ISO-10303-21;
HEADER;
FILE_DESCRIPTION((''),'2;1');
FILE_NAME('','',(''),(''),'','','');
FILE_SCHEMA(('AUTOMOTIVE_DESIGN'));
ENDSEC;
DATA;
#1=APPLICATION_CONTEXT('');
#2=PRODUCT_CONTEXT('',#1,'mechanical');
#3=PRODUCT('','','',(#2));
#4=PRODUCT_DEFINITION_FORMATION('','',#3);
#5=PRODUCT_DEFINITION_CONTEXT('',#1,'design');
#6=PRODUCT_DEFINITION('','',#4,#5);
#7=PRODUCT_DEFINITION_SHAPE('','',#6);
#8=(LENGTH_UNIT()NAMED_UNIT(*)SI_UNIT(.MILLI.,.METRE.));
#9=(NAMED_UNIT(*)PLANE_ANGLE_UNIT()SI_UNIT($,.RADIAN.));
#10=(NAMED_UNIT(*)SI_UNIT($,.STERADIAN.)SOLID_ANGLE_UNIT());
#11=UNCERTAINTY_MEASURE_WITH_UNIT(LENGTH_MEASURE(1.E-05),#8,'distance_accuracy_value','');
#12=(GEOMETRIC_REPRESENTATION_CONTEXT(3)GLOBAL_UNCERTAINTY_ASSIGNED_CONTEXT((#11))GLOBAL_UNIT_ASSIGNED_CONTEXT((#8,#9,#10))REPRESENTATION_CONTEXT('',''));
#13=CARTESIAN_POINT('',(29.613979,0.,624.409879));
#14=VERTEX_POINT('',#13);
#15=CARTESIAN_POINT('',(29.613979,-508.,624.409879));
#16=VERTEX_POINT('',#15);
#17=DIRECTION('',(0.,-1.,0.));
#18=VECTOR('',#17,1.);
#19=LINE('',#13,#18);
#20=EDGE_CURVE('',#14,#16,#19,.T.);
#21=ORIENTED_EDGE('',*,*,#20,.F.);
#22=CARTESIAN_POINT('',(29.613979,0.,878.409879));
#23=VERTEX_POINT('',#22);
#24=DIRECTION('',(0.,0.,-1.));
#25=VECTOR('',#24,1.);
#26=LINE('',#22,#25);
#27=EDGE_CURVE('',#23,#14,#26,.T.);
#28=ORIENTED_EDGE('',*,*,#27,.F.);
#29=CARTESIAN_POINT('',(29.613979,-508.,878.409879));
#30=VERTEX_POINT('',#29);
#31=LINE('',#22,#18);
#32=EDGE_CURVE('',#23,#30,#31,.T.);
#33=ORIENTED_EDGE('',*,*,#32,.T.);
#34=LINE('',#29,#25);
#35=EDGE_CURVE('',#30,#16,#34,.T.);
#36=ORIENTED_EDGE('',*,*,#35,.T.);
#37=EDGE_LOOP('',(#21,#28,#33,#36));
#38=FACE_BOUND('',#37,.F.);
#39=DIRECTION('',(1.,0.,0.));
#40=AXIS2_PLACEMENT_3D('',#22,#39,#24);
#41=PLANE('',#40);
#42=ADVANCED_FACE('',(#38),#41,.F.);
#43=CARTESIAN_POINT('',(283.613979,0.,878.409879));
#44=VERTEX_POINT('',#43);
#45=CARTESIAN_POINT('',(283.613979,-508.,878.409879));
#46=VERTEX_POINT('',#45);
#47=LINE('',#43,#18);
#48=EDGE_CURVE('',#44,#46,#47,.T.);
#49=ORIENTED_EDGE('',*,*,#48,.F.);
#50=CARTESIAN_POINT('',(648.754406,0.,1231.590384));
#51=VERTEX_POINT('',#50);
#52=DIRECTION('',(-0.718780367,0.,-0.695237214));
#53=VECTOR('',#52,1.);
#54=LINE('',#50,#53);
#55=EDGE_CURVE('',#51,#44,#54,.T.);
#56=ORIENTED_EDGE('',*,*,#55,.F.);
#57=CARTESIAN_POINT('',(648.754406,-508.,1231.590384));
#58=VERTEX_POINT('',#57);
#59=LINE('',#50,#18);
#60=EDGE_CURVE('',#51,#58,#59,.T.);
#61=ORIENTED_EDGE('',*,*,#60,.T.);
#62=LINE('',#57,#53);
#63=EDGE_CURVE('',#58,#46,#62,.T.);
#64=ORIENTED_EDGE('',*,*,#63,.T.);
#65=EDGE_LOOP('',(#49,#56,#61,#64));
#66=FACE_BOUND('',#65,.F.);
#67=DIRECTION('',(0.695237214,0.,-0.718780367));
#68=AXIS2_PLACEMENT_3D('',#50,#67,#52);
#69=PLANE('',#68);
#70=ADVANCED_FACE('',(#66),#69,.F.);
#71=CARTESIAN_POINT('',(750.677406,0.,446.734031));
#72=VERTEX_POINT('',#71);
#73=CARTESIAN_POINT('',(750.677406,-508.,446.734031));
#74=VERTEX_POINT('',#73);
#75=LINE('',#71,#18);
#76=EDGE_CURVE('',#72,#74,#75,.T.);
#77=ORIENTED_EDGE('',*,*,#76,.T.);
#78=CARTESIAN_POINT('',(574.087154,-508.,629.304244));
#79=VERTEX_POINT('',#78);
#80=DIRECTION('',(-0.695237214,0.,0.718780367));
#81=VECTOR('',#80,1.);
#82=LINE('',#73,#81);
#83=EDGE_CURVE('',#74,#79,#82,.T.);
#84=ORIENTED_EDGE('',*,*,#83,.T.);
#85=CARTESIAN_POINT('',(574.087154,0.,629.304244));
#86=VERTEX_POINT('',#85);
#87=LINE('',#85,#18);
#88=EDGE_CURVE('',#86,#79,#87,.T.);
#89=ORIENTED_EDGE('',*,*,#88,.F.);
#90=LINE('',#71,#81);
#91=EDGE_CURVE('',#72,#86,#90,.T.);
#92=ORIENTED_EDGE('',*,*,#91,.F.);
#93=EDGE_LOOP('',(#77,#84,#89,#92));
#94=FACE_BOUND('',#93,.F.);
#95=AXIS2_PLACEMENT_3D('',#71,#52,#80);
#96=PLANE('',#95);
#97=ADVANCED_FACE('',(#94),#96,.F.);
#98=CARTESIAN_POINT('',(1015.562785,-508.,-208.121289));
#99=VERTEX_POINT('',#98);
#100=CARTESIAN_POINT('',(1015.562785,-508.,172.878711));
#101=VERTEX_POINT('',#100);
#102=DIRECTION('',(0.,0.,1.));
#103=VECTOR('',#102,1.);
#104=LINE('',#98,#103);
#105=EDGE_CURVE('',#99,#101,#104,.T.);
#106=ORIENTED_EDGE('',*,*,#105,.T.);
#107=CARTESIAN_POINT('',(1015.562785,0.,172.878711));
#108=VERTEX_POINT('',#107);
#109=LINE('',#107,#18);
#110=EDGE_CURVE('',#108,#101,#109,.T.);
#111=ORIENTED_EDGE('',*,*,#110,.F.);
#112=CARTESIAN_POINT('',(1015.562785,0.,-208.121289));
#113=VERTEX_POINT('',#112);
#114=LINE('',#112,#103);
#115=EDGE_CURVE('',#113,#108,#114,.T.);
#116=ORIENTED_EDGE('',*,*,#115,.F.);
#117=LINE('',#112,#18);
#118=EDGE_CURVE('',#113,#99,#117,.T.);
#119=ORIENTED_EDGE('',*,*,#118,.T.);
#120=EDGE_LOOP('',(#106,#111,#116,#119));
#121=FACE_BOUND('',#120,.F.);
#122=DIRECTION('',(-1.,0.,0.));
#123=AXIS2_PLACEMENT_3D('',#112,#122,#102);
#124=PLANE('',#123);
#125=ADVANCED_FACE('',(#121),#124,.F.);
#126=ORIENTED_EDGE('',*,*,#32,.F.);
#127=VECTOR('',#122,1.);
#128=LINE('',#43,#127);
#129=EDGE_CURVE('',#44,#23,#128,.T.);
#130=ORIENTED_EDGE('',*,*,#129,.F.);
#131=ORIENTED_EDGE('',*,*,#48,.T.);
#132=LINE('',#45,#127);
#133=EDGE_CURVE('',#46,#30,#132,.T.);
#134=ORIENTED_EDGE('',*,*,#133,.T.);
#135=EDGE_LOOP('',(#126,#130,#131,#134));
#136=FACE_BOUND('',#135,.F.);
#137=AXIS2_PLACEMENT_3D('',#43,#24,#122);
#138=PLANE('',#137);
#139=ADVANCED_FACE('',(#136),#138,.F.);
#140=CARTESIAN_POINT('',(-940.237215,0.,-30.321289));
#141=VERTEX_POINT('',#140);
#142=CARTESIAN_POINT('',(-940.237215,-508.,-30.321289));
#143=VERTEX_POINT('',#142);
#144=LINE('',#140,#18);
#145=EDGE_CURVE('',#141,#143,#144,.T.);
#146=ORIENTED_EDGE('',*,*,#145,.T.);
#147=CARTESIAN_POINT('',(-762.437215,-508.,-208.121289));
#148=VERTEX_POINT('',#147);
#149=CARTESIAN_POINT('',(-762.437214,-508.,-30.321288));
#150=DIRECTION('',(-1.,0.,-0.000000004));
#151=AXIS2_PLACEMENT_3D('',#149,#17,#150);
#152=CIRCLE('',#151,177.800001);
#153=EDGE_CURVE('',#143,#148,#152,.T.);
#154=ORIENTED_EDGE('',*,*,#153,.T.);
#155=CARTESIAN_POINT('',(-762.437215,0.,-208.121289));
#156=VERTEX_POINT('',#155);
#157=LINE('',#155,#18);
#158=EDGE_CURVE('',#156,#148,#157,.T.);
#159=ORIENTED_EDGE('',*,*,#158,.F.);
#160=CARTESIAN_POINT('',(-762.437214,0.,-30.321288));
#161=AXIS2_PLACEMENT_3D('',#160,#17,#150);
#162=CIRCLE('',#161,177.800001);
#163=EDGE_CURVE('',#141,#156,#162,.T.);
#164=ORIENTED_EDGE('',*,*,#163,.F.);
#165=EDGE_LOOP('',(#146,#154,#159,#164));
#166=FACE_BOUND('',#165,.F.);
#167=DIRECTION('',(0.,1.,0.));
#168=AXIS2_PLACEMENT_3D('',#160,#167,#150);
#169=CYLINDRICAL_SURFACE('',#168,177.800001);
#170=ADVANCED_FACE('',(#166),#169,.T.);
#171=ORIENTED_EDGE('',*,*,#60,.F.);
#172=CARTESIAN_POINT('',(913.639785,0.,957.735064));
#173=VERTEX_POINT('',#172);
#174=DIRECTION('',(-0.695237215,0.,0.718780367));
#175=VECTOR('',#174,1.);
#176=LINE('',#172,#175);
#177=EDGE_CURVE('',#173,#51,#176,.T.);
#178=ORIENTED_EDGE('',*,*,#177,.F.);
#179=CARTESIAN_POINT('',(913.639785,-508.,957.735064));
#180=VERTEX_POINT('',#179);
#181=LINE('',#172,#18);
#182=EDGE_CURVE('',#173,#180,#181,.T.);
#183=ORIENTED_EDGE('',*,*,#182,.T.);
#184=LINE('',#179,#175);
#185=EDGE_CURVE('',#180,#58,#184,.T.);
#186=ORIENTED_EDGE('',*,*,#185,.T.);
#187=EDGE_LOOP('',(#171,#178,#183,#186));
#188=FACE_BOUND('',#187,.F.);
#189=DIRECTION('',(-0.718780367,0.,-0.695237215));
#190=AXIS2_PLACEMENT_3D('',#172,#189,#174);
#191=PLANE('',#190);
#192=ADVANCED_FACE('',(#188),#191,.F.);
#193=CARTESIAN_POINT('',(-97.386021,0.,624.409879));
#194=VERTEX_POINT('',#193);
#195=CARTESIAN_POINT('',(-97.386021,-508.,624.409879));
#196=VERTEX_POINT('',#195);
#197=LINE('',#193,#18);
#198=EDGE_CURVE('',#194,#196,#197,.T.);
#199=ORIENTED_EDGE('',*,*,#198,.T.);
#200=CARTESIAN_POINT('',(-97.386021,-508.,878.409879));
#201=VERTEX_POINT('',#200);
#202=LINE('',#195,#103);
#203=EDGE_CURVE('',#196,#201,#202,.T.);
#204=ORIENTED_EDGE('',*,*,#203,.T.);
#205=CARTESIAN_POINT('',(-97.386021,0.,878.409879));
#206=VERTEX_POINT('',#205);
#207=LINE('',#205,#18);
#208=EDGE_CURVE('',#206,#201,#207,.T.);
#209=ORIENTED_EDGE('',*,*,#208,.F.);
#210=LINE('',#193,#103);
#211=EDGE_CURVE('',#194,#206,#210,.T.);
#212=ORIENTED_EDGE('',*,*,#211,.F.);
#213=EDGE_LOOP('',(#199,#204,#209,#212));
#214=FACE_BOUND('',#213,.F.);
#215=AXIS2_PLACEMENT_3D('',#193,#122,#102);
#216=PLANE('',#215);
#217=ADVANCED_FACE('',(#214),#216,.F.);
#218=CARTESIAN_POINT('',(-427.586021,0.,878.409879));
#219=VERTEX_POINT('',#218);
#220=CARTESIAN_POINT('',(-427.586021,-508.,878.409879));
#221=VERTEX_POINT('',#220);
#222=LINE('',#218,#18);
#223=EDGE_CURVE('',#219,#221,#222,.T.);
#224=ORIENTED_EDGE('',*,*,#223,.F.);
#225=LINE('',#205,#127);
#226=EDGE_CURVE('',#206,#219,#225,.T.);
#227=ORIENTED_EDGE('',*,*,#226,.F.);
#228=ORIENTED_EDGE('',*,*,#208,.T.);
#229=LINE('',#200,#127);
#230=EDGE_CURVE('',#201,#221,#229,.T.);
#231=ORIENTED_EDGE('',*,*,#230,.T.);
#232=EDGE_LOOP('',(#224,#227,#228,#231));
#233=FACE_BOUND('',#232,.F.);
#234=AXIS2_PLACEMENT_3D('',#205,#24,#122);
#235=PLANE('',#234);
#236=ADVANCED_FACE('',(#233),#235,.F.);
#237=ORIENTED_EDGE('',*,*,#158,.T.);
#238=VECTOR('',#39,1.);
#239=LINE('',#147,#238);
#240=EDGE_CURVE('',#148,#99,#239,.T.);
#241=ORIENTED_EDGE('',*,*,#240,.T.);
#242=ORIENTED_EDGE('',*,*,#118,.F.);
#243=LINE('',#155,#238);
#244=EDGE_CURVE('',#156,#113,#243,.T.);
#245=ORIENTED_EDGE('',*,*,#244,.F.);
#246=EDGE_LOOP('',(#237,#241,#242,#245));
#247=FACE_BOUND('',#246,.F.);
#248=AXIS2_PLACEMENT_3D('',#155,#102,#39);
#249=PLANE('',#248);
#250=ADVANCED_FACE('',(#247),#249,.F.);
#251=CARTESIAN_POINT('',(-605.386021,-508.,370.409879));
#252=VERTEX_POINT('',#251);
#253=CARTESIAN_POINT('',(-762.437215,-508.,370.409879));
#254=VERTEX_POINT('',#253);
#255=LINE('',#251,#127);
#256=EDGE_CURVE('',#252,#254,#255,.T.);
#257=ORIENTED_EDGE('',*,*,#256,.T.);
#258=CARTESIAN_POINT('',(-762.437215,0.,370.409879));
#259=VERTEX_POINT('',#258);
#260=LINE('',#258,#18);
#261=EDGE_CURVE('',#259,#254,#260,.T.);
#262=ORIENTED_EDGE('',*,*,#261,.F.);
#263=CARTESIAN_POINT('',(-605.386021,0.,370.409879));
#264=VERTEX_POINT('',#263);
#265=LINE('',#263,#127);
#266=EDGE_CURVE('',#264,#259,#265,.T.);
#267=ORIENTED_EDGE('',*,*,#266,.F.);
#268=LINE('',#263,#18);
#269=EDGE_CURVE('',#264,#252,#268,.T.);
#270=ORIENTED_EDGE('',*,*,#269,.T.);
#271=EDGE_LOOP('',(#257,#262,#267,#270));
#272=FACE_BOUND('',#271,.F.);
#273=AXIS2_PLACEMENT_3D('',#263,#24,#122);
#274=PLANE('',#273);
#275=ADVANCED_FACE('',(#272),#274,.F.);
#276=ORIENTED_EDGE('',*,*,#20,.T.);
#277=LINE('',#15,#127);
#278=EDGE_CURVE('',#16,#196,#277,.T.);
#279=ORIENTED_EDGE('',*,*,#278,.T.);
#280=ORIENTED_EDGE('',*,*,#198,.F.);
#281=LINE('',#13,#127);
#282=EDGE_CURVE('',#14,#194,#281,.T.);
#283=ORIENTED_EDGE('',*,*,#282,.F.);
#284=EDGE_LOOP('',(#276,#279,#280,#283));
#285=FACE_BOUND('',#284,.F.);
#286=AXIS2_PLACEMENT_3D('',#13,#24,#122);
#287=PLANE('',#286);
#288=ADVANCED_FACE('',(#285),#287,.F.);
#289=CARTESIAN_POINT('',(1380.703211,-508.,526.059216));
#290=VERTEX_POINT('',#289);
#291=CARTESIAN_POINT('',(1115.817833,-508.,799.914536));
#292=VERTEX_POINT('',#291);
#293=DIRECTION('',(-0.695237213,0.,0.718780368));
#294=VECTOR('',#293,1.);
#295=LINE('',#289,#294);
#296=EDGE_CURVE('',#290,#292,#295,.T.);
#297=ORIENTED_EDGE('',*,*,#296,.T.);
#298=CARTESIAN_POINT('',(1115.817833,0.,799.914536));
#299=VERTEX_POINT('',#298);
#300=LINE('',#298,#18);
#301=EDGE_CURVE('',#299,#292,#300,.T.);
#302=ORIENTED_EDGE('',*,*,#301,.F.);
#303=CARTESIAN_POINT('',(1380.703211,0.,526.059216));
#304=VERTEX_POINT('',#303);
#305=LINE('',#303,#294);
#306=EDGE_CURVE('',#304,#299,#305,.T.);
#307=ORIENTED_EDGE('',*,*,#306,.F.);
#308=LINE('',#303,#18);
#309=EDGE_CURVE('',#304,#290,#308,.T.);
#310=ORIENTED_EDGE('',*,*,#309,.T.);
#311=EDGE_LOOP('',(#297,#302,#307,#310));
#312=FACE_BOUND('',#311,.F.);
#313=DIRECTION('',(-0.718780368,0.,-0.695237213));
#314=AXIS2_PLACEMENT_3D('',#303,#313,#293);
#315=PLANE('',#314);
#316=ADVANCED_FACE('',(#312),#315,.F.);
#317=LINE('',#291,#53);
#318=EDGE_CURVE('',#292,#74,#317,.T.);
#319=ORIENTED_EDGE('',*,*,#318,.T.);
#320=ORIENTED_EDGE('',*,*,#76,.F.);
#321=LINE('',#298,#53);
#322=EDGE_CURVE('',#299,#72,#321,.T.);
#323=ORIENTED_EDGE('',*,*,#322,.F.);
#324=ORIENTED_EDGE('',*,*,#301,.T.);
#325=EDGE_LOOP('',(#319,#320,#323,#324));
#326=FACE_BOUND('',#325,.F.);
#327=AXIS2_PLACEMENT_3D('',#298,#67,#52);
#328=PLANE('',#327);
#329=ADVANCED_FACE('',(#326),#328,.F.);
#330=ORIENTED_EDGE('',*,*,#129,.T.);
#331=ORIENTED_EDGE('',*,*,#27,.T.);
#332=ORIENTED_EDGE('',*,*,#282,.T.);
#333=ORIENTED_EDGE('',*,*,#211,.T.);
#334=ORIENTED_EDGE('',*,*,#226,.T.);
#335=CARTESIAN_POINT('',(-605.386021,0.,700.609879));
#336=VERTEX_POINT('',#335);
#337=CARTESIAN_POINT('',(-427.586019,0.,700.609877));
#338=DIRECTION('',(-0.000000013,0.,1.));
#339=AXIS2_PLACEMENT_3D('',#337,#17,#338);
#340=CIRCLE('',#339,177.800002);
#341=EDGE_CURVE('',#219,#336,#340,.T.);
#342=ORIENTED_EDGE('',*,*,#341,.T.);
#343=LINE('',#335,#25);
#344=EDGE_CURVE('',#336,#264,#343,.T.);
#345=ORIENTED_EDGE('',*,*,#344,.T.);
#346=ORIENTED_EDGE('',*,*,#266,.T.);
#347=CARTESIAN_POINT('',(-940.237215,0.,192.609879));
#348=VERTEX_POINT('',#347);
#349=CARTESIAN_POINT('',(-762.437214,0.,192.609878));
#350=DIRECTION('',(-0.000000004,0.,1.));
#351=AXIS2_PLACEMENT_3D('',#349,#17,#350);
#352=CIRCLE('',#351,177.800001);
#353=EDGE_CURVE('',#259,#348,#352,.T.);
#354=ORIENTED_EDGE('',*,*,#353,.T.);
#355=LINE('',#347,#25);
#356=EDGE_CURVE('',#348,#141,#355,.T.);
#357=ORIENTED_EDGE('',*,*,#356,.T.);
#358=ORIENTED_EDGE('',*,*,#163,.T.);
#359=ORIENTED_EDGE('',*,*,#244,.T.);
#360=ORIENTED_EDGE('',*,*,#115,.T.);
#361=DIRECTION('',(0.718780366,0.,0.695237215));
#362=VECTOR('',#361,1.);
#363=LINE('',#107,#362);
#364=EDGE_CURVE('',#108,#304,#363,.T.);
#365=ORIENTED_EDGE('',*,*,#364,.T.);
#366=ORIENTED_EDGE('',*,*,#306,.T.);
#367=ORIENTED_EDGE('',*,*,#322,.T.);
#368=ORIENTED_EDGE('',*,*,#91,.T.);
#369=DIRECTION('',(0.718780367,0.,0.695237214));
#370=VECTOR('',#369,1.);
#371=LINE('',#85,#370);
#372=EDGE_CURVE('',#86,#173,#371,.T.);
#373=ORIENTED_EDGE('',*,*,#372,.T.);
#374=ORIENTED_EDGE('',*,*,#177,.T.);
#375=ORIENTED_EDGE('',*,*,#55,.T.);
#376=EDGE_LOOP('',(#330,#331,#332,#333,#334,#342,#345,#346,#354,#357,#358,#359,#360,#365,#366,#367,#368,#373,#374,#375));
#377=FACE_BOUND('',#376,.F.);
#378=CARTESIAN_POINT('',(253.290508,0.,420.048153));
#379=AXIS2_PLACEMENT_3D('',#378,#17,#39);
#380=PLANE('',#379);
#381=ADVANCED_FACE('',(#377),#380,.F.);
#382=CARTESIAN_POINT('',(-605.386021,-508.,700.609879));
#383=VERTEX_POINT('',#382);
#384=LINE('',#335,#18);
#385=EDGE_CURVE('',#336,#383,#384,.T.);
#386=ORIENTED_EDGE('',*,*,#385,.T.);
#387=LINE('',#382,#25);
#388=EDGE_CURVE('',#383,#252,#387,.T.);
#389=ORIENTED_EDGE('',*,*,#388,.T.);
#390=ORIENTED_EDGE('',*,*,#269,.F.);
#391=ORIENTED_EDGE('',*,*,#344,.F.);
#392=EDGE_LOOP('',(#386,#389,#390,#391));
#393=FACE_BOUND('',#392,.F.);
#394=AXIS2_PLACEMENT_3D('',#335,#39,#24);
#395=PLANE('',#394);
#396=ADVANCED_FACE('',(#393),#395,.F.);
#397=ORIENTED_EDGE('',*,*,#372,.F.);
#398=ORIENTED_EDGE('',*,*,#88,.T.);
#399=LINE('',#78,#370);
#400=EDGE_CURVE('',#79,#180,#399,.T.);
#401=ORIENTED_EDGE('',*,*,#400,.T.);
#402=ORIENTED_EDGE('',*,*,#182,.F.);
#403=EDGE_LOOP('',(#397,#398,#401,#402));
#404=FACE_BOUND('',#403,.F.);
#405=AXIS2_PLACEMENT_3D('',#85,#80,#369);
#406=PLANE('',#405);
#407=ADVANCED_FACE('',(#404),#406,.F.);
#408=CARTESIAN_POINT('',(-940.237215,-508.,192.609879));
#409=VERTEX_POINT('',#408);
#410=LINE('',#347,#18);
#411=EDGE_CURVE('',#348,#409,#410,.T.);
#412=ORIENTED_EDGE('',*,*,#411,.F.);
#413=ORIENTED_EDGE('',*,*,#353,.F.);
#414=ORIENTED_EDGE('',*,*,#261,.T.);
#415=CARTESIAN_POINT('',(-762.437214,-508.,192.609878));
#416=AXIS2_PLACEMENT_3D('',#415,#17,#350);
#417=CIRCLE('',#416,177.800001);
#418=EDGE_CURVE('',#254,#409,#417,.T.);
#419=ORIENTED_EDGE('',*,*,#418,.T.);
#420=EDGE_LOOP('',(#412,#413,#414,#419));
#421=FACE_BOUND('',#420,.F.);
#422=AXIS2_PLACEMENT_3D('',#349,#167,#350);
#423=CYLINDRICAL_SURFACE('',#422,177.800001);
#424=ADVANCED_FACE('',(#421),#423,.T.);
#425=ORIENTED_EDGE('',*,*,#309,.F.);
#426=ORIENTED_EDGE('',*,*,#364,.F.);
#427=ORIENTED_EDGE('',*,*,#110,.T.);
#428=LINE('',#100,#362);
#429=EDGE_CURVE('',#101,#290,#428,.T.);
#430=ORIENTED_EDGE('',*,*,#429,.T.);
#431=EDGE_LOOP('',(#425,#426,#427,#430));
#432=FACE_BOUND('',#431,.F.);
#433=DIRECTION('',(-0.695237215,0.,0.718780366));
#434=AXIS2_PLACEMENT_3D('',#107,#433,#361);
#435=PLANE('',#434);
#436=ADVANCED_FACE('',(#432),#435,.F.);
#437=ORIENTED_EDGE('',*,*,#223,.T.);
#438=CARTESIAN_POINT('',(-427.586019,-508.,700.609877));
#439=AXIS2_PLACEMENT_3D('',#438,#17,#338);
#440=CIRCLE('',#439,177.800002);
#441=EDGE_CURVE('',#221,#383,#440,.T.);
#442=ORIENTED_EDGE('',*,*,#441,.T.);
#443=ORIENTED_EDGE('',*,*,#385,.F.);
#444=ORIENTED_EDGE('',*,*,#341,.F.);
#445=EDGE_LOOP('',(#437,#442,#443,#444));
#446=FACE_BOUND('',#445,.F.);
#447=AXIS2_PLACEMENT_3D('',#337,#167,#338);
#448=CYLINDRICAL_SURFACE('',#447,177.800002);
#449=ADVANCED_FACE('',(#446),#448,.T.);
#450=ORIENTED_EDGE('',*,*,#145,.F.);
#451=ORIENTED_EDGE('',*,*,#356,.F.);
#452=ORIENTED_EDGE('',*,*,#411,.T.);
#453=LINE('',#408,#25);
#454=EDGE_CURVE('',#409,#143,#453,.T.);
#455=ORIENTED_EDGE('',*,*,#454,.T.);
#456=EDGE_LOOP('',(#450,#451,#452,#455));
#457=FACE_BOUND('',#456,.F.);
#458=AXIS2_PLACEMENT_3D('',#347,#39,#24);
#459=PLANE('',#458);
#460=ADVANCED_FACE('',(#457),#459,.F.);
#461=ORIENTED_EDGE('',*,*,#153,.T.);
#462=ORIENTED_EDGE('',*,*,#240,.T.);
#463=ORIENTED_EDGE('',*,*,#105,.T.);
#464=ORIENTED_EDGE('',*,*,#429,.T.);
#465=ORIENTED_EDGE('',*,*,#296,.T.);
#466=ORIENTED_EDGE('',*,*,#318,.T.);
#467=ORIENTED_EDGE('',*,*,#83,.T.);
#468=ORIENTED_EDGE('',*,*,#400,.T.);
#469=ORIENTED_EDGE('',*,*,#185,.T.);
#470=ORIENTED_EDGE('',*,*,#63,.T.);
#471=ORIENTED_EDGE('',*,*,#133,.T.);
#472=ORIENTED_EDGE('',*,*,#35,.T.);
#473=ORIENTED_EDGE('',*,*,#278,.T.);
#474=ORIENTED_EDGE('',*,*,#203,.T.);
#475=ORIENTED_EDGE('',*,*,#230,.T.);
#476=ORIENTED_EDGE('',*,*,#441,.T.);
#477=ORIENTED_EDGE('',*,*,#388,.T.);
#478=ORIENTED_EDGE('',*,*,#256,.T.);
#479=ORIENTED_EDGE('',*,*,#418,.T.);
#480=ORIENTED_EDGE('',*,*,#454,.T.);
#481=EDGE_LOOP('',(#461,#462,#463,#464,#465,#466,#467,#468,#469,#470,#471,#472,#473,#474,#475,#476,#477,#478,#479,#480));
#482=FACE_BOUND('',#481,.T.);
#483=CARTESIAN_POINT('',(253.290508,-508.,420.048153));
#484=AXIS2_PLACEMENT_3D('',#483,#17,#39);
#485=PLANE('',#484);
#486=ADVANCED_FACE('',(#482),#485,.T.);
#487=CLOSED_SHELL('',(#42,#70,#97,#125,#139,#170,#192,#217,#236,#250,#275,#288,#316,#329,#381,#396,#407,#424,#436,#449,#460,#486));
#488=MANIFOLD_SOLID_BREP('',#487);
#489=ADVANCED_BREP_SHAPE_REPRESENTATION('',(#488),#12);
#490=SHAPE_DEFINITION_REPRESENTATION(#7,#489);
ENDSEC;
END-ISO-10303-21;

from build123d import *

# Parameters (mm, degrees)
F1_DEPTH = 508


with BuildPart() as f1:
    # F0 (on Front) → F1 (new body)
    with BuildSketch(Plane.XZ):
        with BuildLine():
            Line((-940.237215, 192.609879), (-940.237215, -30.321289))
            ThreePointArc((-940.237215, -30.321289), (-888.160801, -156.044874), (-762.437215, -208.121289))
            Line((-762.437215, -208.121289), (1015.562785, -208.121289))
            Line((1015.562785, -208.121289), (1015.562785, 172.878711))
            Line((1015.562785, 172.878711), (1380.703211, 526.059216))
            Line((1380.703211, 526.059216), (1115.817833, 799.914536))
            Line((1115.817833, 799.914536), (750.677406, 446.734031))
            Line((750.677406, 446.734031), (574.087154, 629.304244))
            Line((574.087154, 629.304244), (913.639785, 957.735064))
            Line((913.639785, 957.735064), (648.754406, 1231.590384))
            Line((648.754406, 1231.590384), (283.613979, 878.409879))
            Line((283.613979, 878.409879), (29.613979, 878.409879))
            Line((29.613979, 878.409879), (29.613979, 624.409879))
            Line((29.613979, 624.409879), (-97.386021, 624.409879))
            Line((-97.386021, 624.409879), (-97.386021, 878.409879))
            Line((-97.386021, 878.409879), (-427.586021, 878.409879))
            ThreePointArc((-427.586021, 878.409879), (-553.309606, 826.333464), (-605.386021, 700.609879))
            Line((-605.386021, 700.609879), (-605.386021, 370.409879))
            Line((-605.386021, 370.409879), (-762.437215, 370.409879))
            ThreePointArc((-762.437215, 370.409879), (-888.160801, 318.333464), (-940.237215, 192.609879))
        make_face()
    extrude(amount=F1_DEPTH)


solid = f1.part
